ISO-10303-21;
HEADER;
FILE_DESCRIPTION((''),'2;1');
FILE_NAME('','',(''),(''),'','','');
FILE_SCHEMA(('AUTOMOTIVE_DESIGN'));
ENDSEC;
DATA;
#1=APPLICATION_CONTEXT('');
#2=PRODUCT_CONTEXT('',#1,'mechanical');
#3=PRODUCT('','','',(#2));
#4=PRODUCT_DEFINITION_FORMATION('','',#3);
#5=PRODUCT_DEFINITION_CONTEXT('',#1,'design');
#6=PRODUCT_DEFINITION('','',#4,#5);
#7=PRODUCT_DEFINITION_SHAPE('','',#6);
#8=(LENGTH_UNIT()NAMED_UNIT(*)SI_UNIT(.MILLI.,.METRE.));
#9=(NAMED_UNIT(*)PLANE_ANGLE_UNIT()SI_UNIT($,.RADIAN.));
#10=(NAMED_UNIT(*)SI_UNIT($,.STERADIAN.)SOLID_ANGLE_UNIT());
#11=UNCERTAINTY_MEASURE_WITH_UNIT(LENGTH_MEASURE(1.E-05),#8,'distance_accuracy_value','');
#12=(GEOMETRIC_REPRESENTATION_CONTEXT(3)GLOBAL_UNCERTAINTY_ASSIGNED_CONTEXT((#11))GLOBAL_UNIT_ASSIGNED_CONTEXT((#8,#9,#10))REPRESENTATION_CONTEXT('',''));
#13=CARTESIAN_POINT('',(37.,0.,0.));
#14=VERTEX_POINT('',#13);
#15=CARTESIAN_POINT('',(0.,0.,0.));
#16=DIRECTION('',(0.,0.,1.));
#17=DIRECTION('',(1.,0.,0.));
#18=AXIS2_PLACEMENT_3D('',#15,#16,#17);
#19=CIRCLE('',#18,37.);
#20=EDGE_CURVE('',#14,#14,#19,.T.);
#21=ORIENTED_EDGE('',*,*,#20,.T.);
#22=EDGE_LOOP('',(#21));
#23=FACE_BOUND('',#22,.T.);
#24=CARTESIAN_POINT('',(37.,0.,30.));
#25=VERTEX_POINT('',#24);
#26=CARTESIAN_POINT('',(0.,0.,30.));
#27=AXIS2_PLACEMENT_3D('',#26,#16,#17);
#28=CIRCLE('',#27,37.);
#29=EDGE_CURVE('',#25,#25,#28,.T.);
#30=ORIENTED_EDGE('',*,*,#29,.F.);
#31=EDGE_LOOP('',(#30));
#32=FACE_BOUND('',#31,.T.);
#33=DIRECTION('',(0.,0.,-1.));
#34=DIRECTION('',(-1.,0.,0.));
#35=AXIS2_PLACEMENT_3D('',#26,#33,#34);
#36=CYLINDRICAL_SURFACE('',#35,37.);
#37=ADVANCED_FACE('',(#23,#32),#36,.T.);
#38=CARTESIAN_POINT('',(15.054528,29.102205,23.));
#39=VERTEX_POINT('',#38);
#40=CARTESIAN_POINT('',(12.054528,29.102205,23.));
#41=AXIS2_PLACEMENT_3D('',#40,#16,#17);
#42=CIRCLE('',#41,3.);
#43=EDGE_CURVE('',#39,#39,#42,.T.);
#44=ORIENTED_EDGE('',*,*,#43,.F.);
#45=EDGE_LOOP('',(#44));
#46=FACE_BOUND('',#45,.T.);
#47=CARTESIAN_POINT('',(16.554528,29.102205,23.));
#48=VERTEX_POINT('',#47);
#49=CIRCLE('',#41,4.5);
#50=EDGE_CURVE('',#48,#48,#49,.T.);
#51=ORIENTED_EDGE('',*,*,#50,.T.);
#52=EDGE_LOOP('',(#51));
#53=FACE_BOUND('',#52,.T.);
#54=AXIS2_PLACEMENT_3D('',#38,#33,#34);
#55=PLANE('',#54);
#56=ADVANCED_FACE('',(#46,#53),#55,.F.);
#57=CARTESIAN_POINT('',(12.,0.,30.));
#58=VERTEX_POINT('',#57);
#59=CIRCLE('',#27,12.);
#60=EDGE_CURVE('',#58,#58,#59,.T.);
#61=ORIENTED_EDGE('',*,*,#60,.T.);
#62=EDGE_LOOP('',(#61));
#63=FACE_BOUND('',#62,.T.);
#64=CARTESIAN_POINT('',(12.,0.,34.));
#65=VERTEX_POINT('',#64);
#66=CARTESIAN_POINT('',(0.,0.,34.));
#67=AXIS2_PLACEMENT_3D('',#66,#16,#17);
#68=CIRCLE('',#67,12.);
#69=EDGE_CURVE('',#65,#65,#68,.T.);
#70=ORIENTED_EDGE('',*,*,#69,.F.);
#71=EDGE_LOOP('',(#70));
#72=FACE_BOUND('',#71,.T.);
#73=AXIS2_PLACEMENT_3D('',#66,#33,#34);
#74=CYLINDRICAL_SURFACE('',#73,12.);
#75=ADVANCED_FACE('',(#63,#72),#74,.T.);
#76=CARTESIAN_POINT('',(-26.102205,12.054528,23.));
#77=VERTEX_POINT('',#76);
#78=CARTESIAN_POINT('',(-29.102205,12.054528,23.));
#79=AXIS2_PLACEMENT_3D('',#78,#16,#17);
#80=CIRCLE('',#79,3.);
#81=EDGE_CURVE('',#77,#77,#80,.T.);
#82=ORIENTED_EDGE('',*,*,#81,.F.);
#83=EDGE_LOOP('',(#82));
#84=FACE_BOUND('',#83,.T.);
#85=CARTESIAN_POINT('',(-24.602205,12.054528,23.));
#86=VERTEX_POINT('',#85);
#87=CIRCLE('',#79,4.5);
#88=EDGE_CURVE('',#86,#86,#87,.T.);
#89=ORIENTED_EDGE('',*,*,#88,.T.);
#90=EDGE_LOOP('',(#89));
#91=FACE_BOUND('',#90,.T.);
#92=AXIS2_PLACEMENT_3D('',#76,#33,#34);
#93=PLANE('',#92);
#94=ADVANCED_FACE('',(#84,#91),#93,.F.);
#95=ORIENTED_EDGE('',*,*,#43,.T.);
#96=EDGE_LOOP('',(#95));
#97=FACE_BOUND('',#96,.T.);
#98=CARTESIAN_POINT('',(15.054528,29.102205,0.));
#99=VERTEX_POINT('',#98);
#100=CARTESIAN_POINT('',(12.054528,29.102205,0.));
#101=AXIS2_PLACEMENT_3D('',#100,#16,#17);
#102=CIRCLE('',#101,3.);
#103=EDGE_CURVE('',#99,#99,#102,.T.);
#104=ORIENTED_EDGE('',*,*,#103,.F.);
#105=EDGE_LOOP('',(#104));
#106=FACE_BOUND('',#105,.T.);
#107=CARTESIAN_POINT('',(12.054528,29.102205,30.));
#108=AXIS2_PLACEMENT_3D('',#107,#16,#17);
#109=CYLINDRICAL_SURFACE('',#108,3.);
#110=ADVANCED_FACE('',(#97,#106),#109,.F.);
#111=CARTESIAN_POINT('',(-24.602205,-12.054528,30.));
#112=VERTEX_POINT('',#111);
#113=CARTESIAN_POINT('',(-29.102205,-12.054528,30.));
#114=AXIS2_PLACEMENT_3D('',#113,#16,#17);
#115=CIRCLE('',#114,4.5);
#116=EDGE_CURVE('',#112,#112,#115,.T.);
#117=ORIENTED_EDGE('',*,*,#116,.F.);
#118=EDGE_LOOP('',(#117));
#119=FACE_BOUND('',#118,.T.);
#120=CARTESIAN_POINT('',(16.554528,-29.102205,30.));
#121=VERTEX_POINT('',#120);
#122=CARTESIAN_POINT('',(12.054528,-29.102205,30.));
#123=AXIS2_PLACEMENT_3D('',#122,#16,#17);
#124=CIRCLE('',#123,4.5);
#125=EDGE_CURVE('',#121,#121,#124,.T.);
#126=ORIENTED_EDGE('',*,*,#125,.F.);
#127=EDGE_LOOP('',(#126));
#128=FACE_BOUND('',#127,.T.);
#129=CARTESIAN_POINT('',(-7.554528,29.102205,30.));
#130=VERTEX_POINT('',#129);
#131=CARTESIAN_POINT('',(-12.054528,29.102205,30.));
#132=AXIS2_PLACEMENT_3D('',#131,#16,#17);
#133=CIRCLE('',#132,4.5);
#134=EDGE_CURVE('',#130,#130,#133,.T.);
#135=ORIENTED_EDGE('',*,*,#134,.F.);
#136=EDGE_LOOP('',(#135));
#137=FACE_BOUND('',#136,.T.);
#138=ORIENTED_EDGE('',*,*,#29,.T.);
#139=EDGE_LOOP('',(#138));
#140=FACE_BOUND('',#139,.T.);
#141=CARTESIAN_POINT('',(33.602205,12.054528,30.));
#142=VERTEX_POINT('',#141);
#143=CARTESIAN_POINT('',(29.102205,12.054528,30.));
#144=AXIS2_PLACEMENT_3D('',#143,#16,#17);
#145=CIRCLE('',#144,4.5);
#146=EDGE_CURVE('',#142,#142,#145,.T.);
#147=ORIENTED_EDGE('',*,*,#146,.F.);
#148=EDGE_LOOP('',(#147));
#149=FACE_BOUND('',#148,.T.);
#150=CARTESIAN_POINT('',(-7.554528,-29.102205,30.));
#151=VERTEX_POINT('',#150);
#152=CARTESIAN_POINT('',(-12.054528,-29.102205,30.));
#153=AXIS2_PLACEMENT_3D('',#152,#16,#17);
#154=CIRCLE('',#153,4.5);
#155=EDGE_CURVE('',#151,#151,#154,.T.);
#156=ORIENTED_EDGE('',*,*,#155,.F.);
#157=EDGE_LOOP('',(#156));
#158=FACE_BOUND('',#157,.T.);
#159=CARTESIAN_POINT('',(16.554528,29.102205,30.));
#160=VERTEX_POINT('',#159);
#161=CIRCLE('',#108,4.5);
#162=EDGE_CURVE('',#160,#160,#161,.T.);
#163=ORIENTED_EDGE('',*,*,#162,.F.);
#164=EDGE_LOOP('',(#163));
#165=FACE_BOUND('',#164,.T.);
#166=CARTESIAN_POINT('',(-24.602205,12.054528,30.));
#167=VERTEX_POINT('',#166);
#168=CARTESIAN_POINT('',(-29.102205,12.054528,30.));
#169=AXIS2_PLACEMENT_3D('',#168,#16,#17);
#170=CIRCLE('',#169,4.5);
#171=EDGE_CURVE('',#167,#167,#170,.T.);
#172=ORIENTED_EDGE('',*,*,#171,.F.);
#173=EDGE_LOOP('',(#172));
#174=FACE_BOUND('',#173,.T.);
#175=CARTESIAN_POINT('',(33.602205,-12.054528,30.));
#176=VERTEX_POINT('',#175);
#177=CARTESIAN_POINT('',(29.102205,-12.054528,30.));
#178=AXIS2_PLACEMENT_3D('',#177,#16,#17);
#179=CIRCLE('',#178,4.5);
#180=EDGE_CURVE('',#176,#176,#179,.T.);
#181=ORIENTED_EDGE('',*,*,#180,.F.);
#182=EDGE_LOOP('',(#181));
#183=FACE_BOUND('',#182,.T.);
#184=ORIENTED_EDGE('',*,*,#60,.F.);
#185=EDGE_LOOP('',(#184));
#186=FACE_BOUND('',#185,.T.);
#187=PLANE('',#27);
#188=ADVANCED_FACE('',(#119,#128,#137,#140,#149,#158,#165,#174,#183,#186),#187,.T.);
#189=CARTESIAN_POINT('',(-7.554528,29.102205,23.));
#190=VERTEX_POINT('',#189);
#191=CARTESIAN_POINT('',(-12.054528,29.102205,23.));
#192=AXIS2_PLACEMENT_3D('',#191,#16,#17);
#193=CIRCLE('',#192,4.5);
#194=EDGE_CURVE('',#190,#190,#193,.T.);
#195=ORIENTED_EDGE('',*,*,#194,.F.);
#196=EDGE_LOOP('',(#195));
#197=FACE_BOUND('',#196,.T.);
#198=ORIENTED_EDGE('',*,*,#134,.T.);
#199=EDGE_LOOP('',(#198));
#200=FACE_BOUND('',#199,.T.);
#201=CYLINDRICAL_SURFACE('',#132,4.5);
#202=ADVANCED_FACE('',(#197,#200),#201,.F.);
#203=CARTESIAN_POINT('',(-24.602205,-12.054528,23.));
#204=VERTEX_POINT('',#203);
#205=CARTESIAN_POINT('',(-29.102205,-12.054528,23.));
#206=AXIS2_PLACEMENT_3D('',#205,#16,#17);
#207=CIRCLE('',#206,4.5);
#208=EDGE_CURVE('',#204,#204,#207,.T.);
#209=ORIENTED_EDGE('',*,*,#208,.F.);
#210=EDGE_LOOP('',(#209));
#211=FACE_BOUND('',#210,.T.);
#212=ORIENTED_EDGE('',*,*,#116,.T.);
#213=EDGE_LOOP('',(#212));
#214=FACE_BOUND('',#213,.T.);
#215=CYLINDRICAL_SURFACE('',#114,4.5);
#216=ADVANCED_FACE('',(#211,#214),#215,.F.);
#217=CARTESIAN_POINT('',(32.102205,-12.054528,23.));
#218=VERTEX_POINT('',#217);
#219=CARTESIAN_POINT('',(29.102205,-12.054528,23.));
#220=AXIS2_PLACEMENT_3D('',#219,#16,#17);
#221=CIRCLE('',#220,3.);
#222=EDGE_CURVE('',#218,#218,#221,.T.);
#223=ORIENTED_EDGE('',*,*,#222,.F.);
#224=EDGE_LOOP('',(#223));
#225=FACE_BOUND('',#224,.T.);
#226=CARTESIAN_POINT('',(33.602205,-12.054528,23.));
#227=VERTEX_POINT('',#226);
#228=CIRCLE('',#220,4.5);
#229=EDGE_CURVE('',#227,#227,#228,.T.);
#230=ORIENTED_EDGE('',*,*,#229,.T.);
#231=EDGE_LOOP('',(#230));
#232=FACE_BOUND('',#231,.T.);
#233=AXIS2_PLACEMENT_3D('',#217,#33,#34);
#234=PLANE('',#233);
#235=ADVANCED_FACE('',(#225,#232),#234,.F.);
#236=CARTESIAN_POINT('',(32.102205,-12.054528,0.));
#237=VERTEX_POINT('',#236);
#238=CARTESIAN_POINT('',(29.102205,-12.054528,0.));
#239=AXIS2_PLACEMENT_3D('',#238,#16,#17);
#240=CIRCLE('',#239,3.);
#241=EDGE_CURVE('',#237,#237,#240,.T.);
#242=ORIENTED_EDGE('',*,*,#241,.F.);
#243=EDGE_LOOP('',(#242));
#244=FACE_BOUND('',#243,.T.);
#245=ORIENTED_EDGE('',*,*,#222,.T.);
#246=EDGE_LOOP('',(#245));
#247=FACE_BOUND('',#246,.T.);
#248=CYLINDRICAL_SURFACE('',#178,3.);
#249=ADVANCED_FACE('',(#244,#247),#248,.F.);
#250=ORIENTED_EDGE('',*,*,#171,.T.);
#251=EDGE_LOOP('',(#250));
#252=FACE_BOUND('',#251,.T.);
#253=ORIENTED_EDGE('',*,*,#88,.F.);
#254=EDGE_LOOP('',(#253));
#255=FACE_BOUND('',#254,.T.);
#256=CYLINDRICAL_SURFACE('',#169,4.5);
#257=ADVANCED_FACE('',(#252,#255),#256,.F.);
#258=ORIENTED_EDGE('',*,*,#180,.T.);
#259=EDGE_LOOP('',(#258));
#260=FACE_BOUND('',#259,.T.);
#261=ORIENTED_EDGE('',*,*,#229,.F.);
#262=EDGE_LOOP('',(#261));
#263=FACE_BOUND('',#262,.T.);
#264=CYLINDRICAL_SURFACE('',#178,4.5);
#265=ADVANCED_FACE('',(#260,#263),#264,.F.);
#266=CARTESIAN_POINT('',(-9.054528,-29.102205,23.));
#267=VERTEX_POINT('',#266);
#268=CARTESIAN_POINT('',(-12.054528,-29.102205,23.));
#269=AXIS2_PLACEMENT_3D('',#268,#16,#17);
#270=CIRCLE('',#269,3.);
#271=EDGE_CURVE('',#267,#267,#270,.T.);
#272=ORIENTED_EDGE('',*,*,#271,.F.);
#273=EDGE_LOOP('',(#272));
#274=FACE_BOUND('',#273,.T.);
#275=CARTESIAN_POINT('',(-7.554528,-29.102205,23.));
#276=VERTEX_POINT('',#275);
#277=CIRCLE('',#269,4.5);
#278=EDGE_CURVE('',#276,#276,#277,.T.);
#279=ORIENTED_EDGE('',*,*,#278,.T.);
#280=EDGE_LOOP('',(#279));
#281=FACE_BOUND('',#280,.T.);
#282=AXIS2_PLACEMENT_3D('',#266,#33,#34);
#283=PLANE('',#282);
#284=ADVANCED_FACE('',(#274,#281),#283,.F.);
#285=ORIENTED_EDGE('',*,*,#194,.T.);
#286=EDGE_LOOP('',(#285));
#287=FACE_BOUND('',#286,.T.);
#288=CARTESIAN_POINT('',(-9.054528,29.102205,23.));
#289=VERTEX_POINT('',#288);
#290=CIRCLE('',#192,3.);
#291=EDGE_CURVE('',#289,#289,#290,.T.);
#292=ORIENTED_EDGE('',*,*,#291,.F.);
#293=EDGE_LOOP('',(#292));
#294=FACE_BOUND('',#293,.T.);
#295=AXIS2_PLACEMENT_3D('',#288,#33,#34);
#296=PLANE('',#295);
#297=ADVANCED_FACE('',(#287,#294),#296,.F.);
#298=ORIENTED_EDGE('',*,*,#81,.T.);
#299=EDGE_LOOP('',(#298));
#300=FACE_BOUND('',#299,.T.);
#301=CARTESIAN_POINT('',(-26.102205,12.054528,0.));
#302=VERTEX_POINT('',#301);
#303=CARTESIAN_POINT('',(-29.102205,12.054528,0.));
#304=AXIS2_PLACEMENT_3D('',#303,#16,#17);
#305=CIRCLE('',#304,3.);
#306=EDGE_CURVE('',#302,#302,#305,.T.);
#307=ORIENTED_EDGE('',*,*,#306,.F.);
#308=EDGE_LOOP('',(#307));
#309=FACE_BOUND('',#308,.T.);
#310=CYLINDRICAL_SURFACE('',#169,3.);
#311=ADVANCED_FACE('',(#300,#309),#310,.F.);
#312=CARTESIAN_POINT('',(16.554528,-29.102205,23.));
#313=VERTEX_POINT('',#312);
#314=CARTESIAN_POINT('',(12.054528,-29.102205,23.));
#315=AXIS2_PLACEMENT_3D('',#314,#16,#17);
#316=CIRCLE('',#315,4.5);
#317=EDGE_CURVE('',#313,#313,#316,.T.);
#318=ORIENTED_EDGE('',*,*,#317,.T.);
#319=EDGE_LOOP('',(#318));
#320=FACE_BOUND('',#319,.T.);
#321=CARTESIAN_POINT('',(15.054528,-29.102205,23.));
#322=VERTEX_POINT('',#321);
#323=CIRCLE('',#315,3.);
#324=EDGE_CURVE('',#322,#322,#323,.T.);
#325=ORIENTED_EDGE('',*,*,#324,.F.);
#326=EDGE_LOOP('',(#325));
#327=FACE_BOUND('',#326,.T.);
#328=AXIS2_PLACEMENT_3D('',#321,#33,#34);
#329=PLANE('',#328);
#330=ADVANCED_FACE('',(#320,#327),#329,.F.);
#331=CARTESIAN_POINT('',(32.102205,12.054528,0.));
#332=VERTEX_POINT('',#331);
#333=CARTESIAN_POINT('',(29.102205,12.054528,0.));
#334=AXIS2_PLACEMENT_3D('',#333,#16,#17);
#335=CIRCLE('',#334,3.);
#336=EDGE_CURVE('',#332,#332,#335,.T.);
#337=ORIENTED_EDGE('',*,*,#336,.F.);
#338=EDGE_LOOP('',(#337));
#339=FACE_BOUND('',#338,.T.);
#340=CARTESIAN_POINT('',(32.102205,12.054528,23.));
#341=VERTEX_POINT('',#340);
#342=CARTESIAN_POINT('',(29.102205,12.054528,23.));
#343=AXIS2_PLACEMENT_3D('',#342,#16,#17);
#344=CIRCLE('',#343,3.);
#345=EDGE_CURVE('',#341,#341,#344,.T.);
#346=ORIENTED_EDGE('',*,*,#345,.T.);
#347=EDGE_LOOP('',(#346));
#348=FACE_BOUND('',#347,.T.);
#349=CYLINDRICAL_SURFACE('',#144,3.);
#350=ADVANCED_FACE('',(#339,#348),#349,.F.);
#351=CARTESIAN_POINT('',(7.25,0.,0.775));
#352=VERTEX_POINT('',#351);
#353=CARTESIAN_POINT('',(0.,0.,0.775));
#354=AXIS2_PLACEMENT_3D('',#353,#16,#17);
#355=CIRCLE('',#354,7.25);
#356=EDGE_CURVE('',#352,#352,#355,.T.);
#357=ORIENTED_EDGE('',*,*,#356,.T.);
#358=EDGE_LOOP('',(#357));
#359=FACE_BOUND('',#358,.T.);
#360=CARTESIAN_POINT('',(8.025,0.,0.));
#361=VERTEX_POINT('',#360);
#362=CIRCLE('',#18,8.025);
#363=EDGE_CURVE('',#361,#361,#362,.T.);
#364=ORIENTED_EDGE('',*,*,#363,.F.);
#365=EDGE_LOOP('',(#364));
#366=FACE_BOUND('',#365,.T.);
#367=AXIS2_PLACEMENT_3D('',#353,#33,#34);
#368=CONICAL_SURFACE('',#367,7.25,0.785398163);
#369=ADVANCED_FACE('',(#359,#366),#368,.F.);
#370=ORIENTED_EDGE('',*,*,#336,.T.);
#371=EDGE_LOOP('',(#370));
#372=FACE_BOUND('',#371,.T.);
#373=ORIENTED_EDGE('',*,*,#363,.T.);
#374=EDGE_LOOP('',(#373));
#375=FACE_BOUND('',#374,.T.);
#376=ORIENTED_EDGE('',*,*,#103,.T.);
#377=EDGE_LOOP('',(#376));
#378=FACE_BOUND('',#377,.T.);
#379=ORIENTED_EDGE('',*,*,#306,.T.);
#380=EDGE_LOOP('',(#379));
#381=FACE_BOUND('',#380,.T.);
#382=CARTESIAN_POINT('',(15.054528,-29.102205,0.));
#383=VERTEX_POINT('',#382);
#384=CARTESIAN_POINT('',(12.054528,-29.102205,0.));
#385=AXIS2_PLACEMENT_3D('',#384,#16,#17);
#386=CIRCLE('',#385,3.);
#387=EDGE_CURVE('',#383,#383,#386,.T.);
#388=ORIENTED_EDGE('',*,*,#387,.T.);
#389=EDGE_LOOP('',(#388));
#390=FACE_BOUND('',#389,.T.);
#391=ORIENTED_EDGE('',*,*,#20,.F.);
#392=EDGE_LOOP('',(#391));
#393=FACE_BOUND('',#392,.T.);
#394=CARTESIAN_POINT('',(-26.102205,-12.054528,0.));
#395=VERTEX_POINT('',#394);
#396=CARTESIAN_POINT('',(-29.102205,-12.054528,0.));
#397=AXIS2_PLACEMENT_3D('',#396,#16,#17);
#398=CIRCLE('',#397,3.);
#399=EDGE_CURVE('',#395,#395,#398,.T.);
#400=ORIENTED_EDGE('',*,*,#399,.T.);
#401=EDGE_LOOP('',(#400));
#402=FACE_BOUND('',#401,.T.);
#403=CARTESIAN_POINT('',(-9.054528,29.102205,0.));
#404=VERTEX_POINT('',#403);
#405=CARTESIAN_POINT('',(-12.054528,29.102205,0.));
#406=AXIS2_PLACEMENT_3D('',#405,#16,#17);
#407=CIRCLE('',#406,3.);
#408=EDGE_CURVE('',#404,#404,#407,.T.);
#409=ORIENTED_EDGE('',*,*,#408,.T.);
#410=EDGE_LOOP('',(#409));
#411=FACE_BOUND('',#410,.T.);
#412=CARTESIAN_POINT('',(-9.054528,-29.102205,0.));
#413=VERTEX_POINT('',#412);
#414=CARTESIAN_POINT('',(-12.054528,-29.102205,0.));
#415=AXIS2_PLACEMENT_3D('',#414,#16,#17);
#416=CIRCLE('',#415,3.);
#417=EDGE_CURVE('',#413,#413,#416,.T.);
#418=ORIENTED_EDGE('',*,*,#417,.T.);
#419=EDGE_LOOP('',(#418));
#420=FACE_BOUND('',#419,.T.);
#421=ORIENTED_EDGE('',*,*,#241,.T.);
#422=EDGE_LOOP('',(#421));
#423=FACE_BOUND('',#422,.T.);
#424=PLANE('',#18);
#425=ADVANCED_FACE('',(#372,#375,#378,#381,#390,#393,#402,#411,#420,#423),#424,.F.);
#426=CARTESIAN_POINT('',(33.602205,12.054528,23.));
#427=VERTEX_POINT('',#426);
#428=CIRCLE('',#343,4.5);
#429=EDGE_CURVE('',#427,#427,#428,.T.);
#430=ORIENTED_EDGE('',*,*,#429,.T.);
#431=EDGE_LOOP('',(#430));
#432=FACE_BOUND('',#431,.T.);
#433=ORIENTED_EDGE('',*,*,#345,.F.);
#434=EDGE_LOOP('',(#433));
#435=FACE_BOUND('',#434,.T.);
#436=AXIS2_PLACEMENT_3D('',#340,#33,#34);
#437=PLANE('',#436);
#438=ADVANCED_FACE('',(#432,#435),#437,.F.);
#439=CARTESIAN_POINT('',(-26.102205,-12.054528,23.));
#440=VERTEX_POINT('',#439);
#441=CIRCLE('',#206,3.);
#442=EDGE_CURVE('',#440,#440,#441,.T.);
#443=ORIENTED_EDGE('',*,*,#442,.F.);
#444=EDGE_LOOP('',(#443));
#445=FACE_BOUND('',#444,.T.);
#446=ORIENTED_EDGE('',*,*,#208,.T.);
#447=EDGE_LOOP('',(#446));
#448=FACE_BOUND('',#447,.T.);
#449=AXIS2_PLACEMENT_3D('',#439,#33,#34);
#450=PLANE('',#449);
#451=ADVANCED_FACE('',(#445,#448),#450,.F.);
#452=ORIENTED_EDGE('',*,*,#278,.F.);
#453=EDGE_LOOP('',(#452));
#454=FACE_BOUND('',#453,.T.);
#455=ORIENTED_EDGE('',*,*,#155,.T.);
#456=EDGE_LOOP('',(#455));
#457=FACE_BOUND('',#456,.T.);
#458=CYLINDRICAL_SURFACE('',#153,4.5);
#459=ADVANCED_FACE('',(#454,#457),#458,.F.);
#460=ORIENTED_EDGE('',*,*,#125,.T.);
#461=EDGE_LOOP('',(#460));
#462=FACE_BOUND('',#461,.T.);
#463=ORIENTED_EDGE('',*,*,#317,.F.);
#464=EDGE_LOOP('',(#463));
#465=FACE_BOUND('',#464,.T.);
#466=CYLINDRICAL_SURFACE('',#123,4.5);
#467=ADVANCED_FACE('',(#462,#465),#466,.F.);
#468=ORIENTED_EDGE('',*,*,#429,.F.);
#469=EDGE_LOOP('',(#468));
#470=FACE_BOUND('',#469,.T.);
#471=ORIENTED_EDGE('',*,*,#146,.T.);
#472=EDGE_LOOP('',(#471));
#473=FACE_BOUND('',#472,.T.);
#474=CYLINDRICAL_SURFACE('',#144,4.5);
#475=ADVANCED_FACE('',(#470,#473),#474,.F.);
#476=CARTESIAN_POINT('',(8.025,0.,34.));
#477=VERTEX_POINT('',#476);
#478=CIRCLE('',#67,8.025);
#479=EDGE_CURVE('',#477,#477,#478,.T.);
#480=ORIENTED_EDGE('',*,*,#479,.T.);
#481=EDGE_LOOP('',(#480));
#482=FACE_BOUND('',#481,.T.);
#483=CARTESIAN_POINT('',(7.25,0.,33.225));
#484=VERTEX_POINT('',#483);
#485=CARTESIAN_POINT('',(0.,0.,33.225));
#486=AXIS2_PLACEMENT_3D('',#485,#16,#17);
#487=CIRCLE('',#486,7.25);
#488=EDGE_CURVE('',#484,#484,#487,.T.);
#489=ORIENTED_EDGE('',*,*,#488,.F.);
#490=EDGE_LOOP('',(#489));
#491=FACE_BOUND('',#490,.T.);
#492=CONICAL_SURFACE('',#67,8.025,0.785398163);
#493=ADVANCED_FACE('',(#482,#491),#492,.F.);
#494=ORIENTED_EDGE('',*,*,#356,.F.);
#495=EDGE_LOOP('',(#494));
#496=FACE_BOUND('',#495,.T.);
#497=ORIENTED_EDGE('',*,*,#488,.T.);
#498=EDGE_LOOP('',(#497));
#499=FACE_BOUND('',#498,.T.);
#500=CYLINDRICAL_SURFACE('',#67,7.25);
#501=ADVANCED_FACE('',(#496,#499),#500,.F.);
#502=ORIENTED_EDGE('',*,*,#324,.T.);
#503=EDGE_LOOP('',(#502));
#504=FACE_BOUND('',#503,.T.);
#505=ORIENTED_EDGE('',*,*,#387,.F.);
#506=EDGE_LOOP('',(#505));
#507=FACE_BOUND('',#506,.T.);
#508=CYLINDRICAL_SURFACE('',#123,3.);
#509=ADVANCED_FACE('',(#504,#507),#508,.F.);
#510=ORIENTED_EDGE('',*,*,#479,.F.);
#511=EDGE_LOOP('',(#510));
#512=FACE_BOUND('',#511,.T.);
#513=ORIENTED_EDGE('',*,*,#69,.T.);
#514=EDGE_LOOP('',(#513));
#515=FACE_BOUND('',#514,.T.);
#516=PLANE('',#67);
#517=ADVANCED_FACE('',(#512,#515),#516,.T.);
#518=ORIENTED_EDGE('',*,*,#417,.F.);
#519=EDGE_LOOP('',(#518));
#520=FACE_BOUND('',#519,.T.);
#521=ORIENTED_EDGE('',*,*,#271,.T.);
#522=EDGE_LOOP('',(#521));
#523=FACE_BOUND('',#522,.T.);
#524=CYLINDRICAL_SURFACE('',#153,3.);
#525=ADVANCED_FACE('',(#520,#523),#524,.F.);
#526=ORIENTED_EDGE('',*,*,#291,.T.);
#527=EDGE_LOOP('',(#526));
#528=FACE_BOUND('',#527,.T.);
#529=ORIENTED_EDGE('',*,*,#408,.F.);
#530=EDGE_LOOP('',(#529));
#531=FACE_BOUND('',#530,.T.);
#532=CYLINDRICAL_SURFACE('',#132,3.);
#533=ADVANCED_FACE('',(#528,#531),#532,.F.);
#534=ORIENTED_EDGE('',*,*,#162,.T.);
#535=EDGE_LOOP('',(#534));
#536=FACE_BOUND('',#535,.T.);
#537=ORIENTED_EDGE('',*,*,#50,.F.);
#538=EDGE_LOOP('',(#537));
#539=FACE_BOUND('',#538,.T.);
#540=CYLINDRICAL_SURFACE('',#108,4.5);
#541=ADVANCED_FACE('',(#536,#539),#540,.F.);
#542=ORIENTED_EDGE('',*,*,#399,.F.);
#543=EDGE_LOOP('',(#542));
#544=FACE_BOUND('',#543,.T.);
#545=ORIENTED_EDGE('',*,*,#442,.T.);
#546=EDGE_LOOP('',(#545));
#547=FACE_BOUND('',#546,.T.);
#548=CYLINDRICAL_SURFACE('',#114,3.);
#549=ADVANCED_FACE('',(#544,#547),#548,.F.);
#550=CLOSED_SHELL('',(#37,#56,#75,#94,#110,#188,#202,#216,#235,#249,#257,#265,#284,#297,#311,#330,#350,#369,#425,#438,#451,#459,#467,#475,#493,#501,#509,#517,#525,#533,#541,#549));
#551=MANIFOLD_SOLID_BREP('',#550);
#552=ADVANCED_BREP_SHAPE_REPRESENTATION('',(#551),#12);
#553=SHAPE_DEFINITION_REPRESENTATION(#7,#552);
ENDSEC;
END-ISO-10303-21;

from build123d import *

# Parameters (mm, degrees)
ESBO_O1_R                = 37
RESSALTO_EXTRUS_O1_DEPTH = 30
FURO1_D                  = 6
FURO1_CBORE_D            = 9
FURO1_CBORE_DEPTH        = 7
PADR_OCIRCULAR1_COUNT    = 8
ESBO_O4_R                = 12
RESSALTO_EXTRUS_O2_DEPTH = 4


with BuildPart() as part:
    # Esboço1 → Ressalto-extrusão1 (new body)
    with BuildSketch(Plane.XY):
        Circle(ESBO_O1_R)
    extrude(amount=RESSALTO_EXTRUS_O1_DEPTH)

    # Furo1 (through all)
    with Locations(Plane(origin=(-12.05452812, 29.102205274, 30), x_dir=(1, 0, 0), z_dir=(0, 0, 1))):
        with Locations((0, 0)):
            furo1 = CounterBoreHole(FURO1_D / 2, FURO1_CBORE_D / 2, FURO1_CBORE_DEPTH)

    # PadrãoCircular1: Furo1 ×8 about axis
    padr_ocircular1_axis = Axis((0, 0, 30), (0, 0, 1))
    for i in range(1, PADR_OCIRCULAR1_COUNT):
        add(furo1.rotate(padr_ocircular1_axis, i * 360 / PADR_OCIRCULAR1_COUNT), mode=Mode.SUBTRACT)

    # Esboço4 → Ressalto-extrusão2 (add)
    with BuildSketch(Plane.XY.offset(30)):
        Circle(ESBO_O4_R)
    extrude(amount=RESSALTO_EXTRUS_O2_DEPTH)

    # Esboço7 → Furo roscado de M16x1.51 (revolve, cut)
    with BuildSketch(Plane(origin=(0, 0, 34), x_dir=(0, -1, 0), z_dir=(1, 0, 0))):
        Polygon((0, 0), (0, 34), (8.025, 34), (7.25, 33.225), (7.25, 0.775), (8.025, 0), align=None)
    revolve(axis=Axis((0, 0, 40.35), (0, 0, -1)), mode=Mode.SUBTRACT)


solid = part.part
